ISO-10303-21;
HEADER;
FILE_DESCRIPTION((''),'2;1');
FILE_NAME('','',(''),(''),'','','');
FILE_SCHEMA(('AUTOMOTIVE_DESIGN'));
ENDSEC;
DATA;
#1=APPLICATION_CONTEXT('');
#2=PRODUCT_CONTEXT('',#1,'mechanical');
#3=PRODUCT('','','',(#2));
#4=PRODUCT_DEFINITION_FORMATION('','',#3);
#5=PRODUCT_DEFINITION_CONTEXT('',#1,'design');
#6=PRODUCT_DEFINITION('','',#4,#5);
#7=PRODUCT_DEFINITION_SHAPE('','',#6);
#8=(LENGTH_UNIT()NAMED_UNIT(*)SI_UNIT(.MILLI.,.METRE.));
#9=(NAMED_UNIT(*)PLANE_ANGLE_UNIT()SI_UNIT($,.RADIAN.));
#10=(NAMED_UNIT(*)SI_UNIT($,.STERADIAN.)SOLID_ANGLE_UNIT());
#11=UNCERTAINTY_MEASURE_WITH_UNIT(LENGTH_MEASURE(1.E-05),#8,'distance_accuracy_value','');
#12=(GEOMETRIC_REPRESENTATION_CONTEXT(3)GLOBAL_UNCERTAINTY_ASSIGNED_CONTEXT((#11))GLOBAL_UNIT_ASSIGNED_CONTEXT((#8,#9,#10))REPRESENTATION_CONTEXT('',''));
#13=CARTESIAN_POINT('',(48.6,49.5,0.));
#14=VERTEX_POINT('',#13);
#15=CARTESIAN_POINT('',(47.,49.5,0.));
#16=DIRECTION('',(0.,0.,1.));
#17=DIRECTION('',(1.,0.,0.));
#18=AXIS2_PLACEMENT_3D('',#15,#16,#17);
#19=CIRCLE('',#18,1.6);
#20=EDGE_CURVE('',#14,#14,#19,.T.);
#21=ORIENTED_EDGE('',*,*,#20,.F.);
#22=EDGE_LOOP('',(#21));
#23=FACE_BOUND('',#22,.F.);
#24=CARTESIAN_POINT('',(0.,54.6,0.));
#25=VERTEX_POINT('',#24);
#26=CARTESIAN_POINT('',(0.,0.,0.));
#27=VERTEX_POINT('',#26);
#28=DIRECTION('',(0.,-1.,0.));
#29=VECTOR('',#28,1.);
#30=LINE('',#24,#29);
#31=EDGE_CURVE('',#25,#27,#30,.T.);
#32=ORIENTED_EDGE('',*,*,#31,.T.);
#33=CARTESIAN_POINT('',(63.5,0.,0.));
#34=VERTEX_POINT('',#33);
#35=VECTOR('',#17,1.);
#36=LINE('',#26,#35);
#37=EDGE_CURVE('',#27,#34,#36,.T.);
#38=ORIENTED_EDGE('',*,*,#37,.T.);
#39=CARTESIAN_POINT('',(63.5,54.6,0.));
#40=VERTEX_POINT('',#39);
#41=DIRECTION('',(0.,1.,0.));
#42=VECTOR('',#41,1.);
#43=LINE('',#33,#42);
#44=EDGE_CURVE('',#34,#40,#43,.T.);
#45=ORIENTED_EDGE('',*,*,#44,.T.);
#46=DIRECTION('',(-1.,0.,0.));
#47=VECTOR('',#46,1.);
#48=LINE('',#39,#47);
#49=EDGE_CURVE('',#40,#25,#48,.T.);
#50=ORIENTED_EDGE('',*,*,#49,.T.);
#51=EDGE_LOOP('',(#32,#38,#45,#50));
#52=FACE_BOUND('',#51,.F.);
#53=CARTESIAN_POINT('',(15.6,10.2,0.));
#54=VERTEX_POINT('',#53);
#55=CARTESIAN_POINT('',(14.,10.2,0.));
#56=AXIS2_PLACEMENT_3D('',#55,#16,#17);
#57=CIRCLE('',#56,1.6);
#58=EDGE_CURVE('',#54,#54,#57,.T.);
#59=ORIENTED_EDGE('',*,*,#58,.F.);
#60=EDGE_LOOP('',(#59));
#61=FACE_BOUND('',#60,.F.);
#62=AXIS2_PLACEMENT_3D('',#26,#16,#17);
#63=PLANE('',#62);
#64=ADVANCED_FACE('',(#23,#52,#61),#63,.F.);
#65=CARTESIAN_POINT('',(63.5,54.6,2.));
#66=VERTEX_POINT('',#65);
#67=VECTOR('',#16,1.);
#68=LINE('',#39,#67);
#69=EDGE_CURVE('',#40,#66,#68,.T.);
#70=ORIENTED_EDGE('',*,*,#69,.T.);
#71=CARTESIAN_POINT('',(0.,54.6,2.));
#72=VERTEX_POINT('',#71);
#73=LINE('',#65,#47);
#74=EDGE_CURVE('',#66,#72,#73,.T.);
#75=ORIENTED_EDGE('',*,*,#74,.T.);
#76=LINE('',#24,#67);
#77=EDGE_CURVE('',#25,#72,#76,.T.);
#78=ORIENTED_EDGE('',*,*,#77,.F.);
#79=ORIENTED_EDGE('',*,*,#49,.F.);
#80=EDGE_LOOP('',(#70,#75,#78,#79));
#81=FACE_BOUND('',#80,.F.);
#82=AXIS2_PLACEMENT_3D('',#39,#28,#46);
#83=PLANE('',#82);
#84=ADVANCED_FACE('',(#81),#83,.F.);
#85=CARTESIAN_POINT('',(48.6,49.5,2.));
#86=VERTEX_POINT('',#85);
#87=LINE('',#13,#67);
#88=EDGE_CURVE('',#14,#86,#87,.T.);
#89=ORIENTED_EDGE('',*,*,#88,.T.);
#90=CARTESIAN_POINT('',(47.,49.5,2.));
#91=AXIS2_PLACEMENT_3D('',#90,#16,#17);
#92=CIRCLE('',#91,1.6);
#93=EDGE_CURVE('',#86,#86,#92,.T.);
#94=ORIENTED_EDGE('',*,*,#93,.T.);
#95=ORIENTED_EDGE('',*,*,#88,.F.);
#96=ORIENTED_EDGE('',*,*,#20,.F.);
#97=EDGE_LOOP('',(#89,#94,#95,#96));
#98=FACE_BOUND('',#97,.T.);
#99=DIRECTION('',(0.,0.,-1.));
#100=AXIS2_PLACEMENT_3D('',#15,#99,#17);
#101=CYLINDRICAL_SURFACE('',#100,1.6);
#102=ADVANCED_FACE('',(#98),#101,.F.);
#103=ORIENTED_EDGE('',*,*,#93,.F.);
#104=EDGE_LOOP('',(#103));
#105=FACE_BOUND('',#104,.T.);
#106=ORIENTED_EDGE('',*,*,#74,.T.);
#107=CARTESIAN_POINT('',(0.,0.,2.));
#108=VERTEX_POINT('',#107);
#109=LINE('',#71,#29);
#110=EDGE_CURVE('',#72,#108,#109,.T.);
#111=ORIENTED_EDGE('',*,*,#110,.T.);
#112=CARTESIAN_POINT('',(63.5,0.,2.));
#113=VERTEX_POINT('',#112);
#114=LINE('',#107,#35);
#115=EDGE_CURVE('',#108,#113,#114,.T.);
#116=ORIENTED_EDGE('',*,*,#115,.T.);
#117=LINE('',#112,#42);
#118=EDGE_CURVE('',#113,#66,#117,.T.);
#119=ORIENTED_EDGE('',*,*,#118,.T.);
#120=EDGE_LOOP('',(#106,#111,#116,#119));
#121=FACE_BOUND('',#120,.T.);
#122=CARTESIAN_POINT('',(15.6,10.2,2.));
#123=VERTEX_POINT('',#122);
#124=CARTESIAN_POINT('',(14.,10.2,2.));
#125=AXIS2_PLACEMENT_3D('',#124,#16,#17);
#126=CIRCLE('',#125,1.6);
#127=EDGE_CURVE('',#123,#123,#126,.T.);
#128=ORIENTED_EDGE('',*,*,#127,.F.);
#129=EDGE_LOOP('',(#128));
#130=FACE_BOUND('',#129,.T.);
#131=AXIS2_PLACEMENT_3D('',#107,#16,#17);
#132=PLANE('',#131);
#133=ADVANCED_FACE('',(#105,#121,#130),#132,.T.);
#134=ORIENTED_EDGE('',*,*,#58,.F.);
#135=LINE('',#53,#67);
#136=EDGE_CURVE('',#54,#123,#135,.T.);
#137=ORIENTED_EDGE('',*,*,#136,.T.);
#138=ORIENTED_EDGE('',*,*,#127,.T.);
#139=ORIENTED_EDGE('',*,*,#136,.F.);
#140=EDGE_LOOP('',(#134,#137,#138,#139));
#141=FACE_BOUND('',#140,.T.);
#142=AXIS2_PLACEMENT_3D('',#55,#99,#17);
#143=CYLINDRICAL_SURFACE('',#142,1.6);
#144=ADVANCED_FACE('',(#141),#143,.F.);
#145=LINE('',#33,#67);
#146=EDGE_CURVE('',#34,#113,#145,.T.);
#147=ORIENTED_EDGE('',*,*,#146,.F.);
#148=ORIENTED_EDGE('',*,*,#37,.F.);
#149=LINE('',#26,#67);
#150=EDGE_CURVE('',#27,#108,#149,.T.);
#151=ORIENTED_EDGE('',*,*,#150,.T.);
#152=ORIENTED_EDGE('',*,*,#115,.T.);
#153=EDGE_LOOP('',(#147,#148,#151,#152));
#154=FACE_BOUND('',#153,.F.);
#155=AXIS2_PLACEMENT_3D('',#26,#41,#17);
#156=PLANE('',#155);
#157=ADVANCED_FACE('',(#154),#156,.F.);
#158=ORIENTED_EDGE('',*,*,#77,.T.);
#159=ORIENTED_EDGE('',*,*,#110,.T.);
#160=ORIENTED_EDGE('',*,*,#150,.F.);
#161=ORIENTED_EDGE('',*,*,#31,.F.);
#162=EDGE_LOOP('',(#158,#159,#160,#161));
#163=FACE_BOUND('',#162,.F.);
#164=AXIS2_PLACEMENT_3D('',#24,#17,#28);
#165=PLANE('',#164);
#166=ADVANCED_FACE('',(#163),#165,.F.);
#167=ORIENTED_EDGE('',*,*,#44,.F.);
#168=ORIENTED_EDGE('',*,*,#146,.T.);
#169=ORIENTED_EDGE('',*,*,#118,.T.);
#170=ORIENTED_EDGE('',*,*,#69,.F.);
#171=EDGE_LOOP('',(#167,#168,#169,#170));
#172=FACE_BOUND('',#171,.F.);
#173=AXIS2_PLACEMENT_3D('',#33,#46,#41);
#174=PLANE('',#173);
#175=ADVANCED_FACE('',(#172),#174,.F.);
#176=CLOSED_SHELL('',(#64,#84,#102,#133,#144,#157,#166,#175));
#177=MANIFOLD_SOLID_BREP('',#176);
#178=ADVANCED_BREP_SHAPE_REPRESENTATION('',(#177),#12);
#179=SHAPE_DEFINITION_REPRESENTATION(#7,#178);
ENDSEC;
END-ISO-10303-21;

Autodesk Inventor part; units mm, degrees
ref_plane "YZ Plane" through (0, 0, 0) normal (1, 0, 0) x (0, 1, 0)
ref_plane "XZ Plane" through (0, 0, 0) normal (0, 1, 0) x (-1, 0, 0)
ref_plane "XY Plane" through (0, 0, 0) normal (0, 0, 1) x (1, 0, 0)
sketch "Skizze1" plane through (0, 0, 0) normal (0, 0, 1) x (1, 0, 0)
  line L0 (0, 0) -> (63.5, 0)
  line L1 (63.5, 0) -> (63.5, 54.6)
  line L2 (63.5, 54.6) -> (0, 54.6)
  line L3 (0, 54.6) -> (0, 0)
  circle A0 centre (14, 10.2) radius 1.6
  circle A1 centre (47, 49.5) radius 1.6
  dimension "d0" = 54.6
  dimension "d1" = 63.5
  dimension "d2" = 3.2
  dimension "d3" = 3.2
  dimension "d4" = 14
  dimension "d5" = 10.2
  dimension "d6" = 49.5
  dimension "d7" = 47
  dimension "d10" = 33
  dimension "d11" = 39.3
extrude "Extrusion1" add sketch "Skizze1" along normal blind 2
properties part number "SMD_Platine"
